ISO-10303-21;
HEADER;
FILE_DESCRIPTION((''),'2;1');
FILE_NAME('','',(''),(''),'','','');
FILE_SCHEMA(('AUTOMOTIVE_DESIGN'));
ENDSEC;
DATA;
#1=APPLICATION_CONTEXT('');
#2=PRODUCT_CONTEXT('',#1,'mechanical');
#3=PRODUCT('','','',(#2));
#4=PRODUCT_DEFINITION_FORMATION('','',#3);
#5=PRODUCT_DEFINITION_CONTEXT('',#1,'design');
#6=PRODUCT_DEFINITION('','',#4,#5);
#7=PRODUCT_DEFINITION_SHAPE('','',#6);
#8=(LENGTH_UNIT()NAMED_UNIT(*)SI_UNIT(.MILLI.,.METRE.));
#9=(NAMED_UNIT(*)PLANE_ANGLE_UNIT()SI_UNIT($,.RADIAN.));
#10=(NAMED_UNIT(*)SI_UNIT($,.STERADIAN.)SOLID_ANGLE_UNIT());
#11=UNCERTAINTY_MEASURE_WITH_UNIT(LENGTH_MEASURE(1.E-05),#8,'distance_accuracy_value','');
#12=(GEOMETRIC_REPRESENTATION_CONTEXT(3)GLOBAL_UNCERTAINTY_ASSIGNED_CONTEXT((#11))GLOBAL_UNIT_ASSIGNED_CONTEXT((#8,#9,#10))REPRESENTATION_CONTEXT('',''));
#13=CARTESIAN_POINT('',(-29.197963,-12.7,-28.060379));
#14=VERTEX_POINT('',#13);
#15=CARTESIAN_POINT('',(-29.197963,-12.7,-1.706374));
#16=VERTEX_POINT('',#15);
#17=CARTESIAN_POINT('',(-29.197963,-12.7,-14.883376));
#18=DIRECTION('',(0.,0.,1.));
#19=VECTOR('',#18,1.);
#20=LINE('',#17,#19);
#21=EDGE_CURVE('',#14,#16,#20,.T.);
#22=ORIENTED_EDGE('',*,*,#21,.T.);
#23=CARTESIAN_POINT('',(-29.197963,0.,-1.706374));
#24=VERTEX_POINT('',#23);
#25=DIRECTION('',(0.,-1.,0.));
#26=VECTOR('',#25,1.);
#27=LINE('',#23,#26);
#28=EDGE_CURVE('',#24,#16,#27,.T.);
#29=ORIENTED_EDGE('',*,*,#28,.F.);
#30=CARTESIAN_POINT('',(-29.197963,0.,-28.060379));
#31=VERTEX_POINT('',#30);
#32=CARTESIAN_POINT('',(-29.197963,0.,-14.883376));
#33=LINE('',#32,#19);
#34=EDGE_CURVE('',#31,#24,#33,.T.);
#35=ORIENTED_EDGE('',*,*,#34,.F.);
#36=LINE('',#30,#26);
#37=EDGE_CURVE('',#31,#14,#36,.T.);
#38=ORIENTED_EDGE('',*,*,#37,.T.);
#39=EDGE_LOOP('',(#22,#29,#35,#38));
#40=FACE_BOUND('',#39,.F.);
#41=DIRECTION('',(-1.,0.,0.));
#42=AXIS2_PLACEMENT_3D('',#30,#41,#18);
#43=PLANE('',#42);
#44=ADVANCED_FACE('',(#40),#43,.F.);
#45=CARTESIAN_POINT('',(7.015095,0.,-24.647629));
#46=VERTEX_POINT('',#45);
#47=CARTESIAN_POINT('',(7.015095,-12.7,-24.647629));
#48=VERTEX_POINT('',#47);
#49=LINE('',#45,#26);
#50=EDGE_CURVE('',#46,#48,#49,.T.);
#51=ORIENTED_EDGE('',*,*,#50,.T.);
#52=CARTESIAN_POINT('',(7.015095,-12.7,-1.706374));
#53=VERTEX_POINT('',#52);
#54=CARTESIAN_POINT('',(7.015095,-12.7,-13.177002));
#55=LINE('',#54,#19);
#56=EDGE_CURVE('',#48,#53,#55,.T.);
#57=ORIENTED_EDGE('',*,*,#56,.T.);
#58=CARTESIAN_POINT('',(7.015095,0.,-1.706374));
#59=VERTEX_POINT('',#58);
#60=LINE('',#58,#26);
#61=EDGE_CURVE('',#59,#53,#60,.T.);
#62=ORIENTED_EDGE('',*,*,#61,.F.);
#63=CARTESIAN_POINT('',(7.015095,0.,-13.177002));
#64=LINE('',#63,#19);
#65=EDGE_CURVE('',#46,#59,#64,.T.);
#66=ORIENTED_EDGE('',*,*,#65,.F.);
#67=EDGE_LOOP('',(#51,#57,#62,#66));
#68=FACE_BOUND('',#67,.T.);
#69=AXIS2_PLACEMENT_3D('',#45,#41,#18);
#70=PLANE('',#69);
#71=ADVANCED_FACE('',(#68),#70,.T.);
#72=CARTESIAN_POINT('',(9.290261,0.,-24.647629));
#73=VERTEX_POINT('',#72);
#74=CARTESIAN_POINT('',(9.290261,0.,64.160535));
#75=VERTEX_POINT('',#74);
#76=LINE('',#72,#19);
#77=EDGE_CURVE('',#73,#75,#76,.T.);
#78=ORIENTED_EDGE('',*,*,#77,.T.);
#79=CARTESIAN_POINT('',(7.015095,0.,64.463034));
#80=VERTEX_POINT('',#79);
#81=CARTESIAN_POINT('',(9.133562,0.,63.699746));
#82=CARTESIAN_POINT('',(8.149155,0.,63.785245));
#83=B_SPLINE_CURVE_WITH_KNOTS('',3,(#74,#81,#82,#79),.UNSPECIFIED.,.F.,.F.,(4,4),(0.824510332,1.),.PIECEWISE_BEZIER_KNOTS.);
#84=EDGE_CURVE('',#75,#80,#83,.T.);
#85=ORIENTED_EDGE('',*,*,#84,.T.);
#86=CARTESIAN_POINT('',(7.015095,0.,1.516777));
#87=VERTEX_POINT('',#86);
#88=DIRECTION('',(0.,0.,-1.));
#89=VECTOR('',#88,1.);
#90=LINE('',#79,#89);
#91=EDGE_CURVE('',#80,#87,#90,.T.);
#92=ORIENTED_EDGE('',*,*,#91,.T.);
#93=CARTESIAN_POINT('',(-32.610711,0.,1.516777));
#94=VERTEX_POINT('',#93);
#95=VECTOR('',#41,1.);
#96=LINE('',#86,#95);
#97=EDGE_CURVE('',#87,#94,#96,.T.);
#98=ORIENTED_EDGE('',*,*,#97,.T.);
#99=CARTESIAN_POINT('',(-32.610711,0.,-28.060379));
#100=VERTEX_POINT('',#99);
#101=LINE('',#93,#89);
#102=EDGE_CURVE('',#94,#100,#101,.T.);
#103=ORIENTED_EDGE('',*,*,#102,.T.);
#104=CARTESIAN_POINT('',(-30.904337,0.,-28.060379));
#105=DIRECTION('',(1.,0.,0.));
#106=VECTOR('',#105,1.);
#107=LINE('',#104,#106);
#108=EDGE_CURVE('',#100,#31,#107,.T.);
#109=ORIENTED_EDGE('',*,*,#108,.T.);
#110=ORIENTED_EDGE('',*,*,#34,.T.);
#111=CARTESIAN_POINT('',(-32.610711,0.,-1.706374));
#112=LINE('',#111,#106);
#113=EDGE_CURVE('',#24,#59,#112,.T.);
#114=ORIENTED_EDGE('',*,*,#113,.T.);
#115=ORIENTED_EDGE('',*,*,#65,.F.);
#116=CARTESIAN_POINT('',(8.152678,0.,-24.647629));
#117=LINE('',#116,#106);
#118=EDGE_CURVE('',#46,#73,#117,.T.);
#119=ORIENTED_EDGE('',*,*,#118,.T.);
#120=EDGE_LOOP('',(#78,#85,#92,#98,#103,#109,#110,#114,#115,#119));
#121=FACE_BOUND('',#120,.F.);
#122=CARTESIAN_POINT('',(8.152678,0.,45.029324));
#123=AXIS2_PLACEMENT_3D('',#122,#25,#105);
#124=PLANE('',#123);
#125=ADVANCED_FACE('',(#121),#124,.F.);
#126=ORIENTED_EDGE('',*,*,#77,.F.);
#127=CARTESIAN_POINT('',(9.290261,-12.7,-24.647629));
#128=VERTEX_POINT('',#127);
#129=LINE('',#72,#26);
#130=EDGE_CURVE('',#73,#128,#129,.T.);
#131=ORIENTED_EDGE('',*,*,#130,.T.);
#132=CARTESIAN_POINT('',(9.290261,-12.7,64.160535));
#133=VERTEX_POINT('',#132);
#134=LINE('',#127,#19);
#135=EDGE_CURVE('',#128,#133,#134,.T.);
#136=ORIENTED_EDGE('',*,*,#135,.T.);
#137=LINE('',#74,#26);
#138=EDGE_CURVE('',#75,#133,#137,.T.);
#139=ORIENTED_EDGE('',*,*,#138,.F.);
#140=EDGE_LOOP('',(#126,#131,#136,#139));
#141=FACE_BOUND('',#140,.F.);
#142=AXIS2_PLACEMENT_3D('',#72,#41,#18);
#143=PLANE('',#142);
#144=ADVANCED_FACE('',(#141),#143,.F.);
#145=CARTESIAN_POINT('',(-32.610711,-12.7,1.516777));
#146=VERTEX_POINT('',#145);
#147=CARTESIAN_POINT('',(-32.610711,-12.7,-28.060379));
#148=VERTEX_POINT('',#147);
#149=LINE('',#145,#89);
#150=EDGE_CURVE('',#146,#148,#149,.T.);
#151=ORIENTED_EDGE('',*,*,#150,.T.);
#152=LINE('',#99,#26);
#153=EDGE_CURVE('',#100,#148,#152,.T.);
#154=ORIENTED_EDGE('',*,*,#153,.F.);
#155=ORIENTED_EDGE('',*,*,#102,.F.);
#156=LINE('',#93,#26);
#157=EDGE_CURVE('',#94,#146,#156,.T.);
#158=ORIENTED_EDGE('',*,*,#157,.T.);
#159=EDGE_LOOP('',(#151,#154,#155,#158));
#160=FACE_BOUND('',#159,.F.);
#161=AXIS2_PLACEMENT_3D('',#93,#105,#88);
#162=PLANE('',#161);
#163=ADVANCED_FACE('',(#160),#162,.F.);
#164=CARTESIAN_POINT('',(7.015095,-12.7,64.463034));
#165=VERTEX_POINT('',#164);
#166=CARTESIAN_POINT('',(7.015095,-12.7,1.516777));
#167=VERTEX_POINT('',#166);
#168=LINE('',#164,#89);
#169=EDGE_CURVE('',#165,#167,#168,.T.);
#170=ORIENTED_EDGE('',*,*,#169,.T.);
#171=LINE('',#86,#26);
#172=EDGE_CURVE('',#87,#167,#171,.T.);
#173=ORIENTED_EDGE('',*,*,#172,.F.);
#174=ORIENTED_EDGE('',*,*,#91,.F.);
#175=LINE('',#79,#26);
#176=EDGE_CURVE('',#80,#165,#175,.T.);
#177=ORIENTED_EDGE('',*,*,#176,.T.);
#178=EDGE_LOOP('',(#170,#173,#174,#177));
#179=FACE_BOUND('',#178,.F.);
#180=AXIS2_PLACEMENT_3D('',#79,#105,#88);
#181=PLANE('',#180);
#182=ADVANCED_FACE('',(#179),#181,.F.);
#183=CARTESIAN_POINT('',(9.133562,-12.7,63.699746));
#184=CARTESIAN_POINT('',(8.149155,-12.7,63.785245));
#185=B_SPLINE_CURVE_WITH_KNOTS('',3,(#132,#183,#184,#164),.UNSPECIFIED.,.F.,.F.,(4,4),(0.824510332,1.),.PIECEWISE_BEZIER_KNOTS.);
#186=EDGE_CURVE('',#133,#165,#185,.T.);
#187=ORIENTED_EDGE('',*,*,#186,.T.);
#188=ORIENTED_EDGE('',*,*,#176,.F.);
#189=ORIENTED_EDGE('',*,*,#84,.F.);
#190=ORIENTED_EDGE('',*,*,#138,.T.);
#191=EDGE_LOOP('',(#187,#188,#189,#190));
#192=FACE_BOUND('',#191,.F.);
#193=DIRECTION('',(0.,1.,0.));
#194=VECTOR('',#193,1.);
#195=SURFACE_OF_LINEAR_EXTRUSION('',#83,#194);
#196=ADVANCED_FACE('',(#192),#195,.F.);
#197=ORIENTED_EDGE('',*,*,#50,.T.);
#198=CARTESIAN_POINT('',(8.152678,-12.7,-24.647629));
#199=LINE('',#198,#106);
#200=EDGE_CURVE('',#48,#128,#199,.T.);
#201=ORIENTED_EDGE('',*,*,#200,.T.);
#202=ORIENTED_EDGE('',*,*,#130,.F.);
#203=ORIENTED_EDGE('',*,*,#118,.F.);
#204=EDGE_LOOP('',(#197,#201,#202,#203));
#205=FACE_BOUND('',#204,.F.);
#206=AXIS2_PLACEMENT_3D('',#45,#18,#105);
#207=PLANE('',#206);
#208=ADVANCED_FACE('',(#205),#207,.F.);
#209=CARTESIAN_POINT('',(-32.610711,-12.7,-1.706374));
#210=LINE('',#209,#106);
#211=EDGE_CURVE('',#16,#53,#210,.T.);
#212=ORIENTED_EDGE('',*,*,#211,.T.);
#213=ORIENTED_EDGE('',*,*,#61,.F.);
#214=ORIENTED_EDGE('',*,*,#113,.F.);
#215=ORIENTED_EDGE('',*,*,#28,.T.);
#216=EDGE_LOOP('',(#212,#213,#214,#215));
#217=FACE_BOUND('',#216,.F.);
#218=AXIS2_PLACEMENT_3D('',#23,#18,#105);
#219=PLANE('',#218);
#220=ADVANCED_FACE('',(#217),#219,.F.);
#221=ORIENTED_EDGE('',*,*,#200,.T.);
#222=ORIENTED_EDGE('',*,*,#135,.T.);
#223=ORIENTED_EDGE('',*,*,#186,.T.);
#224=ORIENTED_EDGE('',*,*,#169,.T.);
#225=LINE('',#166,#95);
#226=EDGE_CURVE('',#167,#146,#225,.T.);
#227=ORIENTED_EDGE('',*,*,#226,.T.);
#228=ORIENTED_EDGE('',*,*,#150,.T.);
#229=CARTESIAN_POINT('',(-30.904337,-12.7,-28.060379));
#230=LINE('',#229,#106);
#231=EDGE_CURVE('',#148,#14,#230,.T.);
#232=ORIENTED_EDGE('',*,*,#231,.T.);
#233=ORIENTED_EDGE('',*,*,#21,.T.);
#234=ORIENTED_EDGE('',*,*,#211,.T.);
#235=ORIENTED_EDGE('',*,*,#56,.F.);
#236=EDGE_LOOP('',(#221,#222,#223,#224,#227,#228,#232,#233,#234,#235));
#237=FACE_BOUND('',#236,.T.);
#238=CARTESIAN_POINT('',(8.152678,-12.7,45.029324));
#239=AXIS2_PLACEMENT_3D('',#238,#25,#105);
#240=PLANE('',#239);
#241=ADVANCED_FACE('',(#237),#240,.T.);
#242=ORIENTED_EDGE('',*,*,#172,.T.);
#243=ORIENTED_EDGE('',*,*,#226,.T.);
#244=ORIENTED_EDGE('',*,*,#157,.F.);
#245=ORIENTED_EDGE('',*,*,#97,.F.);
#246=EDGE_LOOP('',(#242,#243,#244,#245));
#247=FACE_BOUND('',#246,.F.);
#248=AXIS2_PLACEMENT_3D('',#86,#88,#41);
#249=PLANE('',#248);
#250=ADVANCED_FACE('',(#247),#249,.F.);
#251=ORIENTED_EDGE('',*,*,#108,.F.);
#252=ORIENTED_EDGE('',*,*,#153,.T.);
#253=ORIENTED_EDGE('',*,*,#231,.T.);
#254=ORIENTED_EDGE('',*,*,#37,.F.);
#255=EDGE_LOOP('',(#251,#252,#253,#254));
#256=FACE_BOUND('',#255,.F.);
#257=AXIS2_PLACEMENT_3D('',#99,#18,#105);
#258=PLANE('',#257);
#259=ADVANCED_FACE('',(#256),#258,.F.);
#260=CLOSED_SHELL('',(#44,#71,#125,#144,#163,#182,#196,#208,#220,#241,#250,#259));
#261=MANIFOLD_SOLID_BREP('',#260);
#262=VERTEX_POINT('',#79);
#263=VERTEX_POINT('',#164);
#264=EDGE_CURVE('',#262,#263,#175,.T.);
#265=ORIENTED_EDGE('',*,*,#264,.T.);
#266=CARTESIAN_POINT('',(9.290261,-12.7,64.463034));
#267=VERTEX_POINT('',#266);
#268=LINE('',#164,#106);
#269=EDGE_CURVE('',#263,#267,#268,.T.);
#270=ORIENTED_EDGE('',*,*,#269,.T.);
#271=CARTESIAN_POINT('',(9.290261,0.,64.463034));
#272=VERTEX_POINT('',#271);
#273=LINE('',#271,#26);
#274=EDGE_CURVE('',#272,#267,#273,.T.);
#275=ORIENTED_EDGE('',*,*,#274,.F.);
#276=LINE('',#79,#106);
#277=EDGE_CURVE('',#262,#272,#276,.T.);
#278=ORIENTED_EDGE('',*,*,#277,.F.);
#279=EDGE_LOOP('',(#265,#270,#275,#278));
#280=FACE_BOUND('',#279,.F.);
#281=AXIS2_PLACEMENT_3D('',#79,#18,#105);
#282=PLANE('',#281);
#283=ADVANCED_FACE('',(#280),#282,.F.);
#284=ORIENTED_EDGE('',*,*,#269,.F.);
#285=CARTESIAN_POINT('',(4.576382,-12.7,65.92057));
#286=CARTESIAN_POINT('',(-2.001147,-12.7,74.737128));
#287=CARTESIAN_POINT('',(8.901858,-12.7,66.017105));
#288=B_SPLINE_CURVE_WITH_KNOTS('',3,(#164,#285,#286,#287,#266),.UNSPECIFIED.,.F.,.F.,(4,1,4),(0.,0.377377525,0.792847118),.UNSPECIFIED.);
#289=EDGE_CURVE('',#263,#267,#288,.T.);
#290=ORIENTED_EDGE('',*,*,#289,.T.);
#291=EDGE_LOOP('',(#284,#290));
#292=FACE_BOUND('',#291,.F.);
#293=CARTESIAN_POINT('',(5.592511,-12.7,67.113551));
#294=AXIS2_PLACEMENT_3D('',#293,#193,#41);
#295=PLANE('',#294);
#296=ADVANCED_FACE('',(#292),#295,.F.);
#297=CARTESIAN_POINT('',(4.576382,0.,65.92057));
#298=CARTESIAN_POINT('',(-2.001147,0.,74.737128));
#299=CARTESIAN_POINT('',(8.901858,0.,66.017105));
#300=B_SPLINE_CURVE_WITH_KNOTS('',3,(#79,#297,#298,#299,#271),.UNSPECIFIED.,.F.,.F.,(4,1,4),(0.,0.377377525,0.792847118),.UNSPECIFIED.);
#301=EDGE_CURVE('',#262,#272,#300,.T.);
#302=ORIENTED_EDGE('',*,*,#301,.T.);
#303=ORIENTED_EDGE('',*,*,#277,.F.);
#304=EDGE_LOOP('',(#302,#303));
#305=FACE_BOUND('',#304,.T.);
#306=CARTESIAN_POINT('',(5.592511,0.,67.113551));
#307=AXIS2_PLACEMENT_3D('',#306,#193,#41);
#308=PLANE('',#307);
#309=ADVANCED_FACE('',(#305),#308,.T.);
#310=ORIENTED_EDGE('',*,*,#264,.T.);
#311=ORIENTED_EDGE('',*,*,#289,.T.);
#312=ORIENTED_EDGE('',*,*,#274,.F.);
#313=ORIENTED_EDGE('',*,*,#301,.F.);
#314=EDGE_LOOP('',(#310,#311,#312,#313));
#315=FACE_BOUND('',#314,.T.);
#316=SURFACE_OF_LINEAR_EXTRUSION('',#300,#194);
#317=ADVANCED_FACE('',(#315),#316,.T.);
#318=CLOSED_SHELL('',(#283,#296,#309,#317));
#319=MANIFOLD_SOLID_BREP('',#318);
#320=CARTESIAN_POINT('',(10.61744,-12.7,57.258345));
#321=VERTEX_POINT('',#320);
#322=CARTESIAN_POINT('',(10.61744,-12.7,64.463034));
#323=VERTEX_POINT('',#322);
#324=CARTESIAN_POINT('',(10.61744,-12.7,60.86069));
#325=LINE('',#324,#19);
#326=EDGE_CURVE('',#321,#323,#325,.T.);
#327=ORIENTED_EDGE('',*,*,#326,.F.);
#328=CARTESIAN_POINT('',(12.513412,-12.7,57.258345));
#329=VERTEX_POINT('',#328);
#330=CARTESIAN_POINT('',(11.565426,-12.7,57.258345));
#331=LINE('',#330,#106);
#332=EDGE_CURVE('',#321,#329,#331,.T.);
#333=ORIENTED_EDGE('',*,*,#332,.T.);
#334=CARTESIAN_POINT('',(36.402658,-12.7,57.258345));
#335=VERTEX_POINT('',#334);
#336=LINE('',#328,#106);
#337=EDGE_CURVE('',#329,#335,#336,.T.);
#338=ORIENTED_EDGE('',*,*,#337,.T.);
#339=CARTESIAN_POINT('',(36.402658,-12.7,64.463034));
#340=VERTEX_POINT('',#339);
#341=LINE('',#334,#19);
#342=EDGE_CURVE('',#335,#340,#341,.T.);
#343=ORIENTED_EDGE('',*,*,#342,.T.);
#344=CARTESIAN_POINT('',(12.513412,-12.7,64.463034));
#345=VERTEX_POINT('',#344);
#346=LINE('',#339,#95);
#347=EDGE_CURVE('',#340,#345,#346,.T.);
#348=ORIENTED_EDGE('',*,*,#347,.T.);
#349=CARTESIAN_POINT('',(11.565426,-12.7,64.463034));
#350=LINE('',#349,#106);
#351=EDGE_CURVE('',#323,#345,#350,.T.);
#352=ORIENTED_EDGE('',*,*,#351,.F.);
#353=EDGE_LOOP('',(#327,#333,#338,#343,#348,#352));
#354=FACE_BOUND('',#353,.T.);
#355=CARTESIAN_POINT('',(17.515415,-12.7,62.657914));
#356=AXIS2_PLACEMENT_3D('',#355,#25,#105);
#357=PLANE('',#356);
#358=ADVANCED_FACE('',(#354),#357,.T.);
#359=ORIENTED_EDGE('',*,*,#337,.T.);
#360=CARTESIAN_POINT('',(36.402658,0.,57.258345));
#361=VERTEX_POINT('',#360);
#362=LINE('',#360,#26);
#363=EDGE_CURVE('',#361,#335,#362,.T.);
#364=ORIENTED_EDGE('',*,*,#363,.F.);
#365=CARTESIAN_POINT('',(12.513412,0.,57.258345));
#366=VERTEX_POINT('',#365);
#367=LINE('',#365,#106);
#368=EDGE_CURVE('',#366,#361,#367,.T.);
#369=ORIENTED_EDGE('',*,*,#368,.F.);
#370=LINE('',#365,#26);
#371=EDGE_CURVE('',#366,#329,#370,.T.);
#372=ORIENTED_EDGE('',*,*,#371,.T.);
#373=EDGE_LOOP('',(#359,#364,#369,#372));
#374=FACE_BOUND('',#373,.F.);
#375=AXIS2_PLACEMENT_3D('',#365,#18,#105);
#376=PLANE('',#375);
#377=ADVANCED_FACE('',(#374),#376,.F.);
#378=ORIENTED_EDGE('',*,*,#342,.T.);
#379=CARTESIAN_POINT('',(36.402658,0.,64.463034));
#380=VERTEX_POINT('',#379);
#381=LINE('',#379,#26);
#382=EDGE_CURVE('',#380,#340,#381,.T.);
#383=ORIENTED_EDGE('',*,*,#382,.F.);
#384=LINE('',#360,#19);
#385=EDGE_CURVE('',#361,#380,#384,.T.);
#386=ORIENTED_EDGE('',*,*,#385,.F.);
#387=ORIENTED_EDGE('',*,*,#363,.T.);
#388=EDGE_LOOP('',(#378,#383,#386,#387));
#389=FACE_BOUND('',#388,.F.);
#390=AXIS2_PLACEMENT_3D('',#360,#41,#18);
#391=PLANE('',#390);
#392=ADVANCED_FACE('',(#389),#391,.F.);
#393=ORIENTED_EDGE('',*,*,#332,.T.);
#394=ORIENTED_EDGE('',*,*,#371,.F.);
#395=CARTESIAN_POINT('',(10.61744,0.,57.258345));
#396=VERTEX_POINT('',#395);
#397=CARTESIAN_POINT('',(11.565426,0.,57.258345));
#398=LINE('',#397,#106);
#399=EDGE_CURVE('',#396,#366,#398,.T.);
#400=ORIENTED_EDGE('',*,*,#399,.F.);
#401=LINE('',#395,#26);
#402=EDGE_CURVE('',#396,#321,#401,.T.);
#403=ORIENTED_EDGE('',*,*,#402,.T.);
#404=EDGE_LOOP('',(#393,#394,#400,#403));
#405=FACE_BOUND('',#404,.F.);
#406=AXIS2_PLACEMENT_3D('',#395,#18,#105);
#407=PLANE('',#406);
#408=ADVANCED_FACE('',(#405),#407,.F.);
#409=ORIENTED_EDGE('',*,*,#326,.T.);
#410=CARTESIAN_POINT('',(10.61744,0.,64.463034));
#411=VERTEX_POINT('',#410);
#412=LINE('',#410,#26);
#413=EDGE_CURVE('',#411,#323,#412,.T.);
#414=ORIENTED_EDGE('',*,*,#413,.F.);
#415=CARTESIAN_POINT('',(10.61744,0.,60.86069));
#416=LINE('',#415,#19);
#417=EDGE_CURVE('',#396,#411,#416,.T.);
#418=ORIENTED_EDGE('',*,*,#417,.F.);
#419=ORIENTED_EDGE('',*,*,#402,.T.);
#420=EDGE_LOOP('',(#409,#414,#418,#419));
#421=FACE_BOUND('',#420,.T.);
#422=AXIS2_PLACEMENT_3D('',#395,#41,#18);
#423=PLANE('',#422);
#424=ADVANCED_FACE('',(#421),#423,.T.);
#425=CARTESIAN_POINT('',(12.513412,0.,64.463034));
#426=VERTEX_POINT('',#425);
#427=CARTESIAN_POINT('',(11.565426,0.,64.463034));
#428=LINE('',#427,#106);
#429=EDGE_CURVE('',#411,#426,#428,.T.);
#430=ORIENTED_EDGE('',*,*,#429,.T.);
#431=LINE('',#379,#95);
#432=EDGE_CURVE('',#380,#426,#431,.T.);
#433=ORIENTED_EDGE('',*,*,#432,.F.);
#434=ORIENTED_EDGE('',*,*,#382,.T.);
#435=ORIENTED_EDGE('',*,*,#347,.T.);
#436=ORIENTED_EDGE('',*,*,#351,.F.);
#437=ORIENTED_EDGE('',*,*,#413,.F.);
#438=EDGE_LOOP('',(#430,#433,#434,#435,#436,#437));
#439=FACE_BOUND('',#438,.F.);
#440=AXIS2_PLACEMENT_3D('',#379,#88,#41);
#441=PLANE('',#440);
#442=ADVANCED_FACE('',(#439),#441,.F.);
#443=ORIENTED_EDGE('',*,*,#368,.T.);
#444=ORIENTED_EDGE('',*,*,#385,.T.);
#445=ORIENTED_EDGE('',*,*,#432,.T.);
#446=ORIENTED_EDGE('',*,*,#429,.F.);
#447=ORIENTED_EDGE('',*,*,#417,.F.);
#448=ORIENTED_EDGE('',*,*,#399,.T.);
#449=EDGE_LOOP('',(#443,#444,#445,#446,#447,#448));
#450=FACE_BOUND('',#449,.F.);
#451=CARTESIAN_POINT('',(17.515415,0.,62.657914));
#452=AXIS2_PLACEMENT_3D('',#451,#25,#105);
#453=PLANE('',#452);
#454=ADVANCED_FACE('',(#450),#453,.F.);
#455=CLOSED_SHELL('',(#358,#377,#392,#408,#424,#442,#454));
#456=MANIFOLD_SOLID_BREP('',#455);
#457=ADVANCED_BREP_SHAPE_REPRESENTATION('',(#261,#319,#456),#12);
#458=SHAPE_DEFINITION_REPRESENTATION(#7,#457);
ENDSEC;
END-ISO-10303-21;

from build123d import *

# Parameters (mm, degrees)
F0_W     = 2.2751665674
F0_H     = 34.6962790936
F0_H_2   = 23.6996444874
F0_H_3   = 2.4647631217
F0_H_4   = 22.9412544286
F0_W_2   = 3.4127477556
F0_H_5   = 26.3540040469
F1_DEPTH = 12.7
F0_W_3   = 1.8959725276
F0_H_6   = 7.2046890855


with BuildPart() as f1:
    # F0 (on Front) → F1 (new body)
    with BuildSketch(Plane.XZ):
        with Locations((8.1526779104, 45.0293244794)):
            Rectangle(F0_W, F0_H)
        with Locations((8.1526779104, 15.8313626889)):
            Rectangle(F0_W, F0_H_2)
        with BuildLine():
            Line((7.0150946267, 62.3774640262), (9.2902611941, 62.3774640262))
            Line((9.2902611941, 62.3774640262), (9.2902611941, 64.1605353109))
            add(Edge.make_bspline(
                [(9.2902611941, 64.1605353109), (9.1335618574, 63.6997464733), (8.1491547275, 63.7852449602), (7.0150946267, 64.4630342722)],
                knots=[0.8245103323, 0.8245103323, 0.8245103323, 0.8245103323, 1, 1, 1, 1], degree=3))
            Line((7.0150946267, 64.4630342722), (7.0150946267, 62.3774640262))
        make_face()
        with Locations((8.1526779104, 2.7491588844)):
            Rectangle(F0_W, F0_H_3)
        Polygon((7.0150946267, -1.7063744599), (9.2902611941, -1.7063744599), (9.2902611941, 1.5167773236), (7.0150946267, 1.5167773236), (-32.6107107103, 1.5167773236), (-32.6107107103, -1.7063744599), (-29.1979629546, -1.7063744599), align=None)
        with Locations((8.1526779104, -13.1770016742)):
            Rectangle(F0_W, F0_H_4)
        with Locations((-30.9043368325, -14.8833764833)):
            Rectangle(F0_W_2, F0_H_5)
    extrude(amount=F1_DEPTH)


with BuildPart() as f1b:
    # F0 (on Front) → F1, piece 2 (new body)
    with BuildSketch(Plane.XZ):
        with BuildLine():
            Line((18.3322279583, 64.4630342722), (16.5536516477, 64.4630342722))
            ThreePointArc((16.5536516477, 64.4630342722), (16.3197251146, 60.7995982546), (19.5371083055, 62.567062676))
            ThreePointArc((19.5371083055, 62.567062676), (19.2104042244, 63.6902773643), (18.3322279583, 64.4630342722))
        make_face()
        with BuildLine():
            Line((16.5536516477, 64.4630342722), (12.5134121627, 64.4630342722))
            Line((12.5134121627, 64.4630342722), (12.5134121627, 57.2583451867))
            Line((12.5134121627, 57.2583451867), (31.0308237794, 57.2583451867))
            add(Edge.make_bspline(
                [(28.0593987554, 59.1532960534), (28.1995493071, 58.4423556179), (29.5783060091, 57.4592646397), (31.0308237794, 57.2583451867)],
                knots=[0, 0, 0, 0, 0.2197954008, 0.2197954008, 0.2197954008, 0.2197954008], degree=3))
            add(Edge.make_bspline(
                [(32.0415794849, 57.2583451867), (33.6607920173, 57.5084545772), (36.5329207315, 60.8323030514), (30.1164253974, 60.8116762265), (27.9300518274, 59.8094330449), (28.0593987554, 59.1532960534)],
                knots=[0.2709134065, 0.2709134065, 0.2709134065, 0.2709134065, 0.520871318, 0.7971477133, 1, 1, 1, 1], degree=3))
            Line((32.0415794849, 57.2583451867), (36.4026576281, 57.2583451867))
            Line((36.4026576281, 57.2583451867), (36.4026576281, 64.4630342722))
            Line((36.4026576281, 64.4630342722), (18.3322279583, 64.4630342722))
            ThreePointArc((18.3322279583, 64.4630342722), (19.2104042244, 63.6902773643), (19.5371083055, 62.567062676))
            ThreePointArc((19.5371083055, 62.567062676), (16.3197251146, 60.7995982546), (16.5536516477, 64.4630342722))
        make_face()
        with Locations((11.5654258989, 60.8606897295)):
            Rectangle(F0_W_3, F0_H_6)
        with BuildLine():
            add(Edge.make_bspline(
                [(28.0593987554, 59.1532960534), (28.1995493071, 58.4423556179), (29.5783060091, 57.4592646397), (31.0308237794, 57.2583451867)],
                knots=[0, 0, 0, 0, 0.2197954008, 0.2197954008, 0.2197954008, 0.2197954008], degree=3))
            Line((31.0308237794, 57.2583451867), (32.0415794849, 57.2583451867))
            add(Edge.make_bspline(
                [(32.0415794849, 57.2583451867), (33.6607920173, 57.5084545772), (36.5329207315, 60.8323030514), (30.1164253974, 60.8116762265), (27.9300518274, 59.8094330449), (28.0593987554, 59.1532960534)],
                knots=[0.2709134065, 0.2709134065, 0.2709134065, 0.2709134065, 0.520871318, 0.7971477133, 1, 1, 1, 1], degree=3))
        make_face()
    extrude(amount=F1_DEPTH)


with BuildPart() as f1c:
    # F0 (on Front) → F1, piece 3 (new body)
    with BuildSketch(Plane.XZ):
        with BuildLine():
            add(Edge.make_bspline(
                [(7.0150946267, 64.4630342722), (4.5763824236, 65.9205699576), (-2.001147026, 74.7371280941), (8.9018578762, 66.0171053089), (9.2902611941, 64.4630342722)],
                knots=[0, 0, 0, 0, 0.3773775251, 0.7928471179, 0.7928471179, 0.7928471179, 0.7928471179], degree=3))
            Line((7.0150946267, 64.4630342722), (9.2902611941, 64.4630342722))
        make_face()
    extrude(amount=F1_DEPTH)


solid = Compound([f1.part, f1b.part, f1c.part])
